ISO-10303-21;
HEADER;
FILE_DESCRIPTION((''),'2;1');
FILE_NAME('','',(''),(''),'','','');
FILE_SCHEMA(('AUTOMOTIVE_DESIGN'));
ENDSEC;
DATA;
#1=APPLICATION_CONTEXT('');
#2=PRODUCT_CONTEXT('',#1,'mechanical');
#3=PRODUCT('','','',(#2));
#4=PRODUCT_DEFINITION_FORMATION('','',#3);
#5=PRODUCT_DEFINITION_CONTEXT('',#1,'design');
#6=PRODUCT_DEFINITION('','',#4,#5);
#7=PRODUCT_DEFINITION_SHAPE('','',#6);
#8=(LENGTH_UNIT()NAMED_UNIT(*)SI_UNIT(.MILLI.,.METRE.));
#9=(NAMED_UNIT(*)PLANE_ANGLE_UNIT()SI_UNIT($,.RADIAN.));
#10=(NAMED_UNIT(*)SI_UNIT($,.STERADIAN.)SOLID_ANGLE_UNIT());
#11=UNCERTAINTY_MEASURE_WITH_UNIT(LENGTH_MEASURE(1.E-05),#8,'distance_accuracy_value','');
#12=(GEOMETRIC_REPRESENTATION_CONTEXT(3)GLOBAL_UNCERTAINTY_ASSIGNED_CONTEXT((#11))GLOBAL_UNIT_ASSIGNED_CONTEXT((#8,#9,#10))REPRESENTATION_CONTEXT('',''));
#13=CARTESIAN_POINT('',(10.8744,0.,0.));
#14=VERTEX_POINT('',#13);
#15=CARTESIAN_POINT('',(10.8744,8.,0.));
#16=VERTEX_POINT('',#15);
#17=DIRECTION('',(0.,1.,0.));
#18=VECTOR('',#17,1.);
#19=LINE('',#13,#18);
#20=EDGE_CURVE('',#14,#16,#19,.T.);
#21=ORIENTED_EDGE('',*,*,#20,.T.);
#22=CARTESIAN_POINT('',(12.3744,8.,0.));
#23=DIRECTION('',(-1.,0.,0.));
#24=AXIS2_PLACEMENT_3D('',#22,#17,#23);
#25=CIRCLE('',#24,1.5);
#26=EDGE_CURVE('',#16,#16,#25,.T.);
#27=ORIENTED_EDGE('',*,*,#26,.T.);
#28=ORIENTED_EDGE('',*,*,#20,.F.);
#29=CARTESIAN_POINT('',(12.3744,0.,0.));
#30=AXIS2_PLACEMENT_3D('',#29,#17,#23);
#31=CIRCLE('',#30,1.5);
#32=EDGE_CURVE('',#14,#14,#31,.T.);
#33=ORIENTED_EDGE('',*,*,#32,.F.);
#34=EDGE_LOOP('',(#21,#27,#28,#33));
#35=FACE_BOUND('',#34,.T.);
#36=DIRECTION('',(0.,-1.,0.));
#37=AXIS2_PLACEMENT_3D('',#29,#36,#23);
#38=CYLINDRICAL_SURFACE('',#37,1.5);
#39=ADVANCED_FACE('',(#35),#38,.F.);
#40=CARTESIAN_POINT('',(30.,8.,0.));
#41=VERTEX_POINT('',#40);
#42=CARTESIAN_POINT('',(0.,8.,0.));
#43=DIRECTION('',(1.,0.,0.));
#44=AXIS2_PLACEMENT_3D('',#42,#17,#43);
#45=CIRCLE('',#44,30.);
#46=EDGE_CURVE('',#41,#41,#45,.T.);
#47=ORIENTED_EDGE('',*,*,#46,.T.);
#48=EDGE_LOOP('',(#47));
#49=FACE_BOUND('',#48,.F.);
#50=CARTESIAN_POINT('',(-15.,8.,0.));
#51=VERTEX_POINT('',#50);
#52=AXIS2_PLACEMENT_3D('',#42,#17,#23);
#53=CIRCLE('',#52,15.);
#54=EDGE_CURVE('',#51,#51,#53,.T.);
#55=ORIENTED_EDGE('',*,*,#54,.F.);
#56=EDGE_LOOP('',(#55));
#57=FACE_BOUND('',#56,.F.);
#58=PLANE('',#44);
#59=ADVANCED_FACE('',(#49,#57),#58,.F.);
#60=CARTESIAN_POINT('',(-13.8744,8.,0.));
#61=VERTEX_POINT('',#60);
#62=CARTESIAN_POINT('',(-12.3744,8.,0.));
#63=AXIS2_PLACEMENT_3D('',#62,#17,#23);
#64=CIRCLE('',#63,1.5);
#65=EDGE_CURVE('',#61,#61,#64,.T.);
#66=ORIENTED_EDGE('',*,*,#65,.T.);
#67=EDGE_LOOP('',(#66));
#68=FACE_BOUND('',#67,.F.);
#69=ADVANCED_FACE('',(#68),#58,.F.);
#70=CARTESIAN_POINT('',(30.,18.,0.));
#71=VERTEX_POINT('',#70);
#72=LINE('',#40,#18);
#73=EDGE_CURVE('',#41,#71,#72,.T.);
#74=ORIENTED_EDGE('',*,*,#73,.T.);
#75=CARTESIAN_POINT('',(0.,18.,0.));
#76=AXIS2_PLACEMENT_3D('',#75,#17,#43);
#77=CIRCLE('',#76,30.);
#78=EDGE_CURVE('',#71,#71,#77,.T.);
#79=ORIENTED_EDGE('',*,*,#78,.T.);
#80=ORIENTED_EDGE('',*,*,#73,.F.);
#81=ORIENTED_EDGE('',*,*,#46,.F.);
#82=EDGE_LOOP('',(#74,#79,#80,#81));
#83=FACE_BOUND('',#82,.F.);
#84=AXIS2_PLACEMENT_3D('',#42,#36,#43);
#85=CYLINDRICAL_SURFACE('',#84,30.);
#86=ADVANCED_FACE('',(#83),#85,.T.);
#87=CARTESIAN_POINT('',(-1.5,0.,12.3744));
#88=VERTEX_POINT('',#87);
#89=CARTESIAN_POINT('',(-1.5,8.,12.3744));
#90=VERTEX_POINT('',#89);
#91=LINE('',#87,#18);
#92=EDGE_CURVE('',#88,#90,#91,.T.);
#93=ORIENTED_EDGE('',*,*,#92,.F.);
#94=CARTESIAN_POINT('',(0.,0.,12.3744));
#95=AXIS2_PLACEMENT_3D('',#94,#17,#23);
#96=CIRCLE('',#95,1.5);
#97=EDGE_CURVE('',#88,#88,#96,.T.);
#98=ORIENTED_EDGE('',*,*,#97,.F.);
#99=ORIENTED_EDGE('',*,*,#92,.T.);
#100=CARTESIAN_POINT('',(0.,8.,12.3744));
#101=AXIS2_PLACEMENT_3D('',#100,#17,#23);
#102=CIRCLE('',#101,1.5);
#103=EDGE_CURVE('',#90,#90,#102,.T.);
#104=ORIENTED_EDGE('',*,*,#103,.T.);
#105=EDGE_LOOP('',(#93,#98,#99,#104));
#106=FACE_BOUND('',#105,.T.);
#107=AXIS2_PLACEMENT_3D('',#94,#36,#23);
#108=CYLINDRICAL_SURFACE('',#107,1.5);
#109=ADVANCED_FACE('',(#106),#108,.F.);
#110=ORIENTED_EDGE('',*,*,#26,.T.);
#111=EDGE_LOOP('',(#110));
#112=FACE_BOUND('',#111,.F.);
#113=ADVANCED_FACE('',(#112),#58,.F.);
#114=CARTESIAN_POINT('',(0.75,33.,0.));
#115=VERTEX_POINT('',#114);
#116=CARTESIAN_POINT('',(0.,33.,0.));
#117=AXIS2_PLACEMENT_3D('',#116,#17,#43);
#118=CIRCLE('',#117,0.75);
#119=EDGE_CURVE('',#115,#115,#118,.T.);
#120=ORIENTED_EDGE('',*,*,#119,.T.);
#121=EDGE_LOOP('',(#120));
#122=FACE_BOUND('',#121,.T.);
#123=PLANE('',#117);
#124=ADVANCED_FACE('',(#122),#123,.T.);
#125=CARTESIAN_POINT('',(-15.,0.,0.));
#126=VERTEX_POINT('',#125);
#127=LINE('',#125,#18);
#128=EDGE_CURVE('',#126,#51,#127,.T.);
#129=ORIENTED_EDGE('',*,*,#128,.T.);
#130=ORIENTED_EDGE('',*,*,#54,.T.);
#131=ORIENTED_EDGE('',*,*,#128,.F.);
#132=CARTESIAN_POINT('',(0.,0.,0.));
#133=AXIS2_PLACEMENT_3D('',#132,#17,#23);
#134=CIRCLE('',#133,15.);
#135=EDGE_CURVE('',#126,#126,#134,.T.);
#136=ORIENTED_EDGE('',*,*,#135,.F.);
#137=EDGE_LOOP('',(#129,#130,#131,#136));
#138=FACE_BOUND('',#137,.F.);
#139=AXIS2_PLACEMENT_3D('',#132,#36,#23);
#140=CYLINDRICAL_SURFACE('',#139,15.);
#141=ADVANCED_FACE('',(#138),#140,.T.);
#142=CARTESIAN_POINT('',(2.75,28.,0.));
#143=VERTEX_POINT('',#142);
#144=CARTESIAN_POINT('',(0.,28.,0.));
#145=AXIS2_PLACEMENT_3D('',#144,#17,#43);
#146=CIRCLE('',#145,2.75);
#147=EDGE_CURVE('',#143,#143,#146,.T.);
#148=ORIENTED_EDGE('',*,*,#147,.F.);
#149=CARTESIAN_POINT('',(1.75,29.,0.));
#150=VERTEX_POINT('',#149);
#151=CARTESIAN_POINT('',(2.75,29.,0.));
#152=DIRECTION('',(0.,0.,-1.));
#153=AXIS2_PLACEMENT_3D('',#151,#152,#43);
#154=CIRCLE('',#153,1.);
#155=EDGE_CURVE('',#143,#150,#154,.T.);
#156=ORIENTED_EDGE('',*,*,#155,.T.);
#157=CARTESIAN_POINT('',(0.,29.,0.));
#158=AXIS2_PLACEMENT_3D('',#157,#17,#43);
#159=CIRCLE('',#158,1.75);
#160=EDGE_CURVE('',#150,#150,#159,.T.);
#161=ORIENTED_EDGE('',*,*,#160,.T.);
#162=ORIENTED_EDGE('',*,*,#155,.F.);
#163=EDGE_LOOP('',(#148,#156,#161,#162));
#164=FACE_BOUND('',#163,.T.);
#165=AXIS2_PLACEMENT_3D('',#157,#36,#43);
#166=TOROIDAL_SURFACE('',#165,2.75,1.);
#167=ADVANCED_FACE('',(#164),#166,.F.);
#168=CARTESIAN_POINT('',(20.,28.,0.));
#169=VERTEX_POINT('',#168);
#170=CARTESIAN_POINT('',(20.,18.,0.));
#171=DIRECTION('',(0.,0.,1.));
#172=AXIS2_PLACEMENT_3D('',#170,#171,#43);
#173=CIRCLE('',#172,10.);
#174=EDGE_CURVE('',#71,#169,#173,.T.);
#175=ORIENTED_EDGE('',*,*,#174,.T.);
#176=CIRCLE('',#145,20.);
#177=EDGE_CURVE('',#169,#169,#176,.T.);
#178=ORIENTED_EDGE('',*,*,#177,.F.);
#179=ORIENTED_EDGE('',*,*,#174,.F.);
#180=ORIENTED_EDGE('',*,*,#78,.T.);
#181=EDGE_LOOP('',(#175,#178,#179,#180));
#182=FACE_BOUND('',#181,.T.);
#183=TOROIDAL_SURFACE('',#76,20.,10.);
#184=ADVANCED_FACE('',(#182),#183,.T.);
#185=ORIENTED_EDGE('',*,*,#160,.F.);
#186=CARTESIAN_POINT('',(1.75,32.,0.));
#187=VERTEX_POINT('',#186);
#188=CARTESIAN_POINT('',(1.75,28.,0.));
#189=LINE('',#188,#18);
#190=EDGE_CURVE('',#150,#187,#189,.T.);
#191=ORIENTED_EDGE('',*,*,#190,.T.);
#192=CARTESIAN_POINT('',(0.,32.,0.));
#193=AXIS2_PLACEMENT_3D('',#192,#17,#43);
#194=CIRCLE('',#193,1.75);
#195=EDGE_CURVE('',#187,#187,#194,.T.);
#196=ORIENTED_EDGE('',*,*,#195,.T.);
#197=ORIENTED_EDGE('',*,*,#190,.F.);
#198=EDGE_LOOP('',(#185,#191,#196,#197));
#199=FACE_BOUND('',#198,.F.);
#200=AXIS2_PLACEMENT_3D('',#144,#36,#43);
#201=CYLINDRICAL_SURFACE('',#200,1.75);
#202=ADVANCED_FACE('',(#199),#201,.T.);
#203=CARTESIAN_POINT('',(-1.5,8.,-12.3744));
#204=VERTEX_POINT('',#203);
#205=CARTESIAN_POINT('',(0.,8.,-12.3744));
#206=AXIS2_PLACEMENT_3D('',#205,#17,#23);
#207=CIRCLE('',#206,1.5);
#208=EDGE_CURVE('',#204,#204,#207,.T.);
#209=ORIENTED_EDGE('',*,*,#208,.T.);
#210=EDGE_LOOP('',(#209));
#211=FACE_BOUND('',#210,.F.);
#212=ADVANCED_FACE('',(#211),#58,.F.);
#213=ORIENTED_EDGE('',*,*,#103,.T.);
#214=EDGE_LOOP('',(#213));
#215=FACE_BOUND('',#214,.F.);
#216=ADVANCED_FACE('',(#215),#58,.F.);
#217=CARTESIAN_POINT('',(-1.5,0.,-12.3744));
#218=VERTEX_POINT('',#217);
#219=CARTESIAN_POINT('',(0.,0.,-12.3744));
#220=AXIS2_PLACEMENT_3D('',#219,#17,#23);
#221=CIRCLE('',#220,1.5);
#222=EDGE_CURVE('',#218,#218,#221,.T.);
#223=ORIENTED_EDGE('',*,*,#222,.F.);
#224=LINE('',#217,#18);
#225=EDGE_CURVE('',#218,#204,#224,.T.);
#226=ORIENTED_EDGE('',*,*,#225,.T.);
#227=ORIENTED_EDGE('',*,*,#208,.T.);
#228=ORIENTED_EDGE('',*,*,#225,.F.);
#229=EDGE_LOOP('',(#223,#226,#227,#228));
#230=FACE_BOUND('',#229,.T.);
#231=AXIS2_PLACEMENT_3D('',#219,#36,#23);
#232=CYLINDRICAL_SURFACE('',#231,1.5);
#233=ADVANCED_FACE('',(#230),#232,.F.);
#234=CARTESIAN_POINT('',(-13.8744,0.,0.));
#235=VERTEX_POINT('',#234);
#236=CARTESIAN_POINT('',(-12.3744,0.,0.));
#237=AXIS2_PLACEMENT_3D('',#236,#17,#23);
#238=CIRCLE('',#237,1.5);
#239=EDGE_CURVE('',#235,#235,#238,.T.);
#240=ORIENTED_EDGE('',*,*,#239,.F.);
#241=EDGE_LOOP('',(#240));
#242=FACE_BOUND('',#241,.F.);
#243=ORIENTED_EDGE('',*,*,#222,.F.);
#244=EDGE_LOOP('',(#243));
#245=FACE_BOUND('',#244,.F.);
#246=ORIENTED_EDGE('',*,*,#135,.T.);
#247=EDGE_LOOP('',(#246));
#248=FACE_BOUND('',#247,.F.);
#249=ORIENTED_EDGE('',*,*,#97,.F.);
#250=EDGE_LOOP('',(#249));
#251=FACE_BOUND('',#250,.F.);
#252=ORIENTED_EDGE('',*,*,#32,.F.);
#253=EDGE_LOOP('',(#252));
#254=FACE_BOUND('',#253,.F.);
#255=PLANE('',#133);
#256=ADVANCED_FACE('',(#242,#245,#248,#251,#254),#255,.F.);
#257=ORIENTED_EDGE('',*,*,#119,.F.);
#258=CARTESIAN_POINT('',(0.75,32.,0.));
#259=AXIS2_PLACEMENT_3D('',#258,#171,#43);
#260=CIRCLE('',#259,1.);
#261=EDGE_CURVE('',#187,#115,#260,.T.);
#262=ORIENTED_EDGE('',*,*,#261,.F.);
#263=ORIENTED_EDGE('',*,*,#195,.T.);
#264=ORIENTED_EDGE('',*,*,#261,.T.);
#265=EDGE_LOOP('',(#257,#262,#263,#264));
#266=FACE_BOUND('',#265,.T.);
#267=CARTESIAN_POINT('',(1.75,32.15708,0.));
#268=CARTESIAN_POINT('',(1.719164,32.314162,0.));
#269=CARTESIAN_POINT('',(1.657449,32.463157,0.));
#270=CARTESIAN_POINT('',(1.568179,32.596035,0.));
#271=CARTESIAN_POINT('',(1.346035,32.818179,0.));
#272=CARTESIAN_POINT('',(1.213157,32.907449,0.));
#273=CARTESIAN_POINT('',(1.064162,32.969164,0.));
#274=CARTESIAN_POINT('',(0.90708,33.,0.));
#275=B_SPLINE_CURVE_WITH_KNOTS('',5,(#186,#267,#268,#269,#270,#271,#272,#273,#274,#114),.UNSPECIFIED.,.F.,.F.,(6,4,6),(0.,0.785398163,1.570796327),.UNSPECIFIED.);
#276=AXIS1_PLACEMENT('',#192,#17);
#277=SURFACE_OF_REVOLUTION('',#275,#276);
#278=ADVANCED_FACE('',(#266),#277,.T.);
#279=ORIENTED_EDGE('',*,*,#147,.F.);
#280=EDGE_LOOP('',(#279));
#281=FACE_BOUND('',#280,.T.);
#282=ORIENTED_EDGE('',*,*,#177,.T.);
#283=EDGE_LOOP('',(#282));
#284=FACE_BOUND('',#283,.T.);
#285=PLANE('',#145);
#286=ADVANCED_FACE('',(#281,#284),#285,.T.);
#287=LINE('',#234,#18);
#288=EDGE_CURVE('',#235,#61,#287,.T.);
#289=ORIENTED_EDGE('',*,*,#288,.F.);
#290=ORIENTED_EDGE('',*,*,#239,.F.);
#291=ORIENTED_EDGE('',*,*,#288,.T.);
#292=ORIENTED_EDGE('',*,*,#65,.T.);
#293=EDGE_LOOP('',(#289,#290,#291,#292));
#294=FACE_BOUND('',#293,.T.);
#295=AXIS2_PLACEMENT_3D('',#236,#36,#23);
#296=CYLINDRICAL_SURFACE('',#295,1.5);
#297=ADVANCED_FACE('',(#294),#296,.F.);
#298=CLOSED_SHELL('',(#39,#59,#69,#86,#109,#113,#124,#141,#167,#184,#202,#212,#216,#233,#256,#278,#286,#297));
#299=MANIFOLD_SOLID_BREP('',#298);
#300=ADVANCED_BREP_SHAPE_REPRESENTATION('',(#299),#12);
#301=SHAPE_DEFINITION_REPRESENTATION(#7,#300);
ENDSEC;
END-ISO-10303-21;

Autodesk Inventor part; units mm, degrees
ref_plane "YZ Plane" through (0, 0, 0) normal (1, 0, 0) x (0, 1, 0)
ref_plane "XZ Plane" through (0, 0, 0) normal (0, 1, 0) x (-1, 0, 0)
ref_plane "XY Plane" through (0, 0, 0) normal (0, 0, 1) x (1, 0, 0)
sketch "Sketch1" plane through (0, 0, 0) normal (0, 1, 0) x (-1, 0, 0)
  circle A0 centre (0, 0) radius 15
  circle A1 centre (12.3744, 0) radius 1.5
  circle A2 centre (0, 12.3744) radius 1.5
  circle A3 centre (-12.3744, 0) radius 1.5
  circle A4 centre (0, -12.3744) radius 1.5
  dimension "d0" = 30
  dimension "d1" = 3
  dimension "d5" = 360
  dimension "d17" = 14.5
extrude "Extrusion1" add sketch "Sketch1" along normal blind 8
sketch "Sketch2" plane through (0, 8, 0) normal (0, 1, 0) x (1, 0, 0)
  circle A0 centre (0, 0) radius 30
  dimension "d9" = 60
extrude "Extrusion2" add sketch "Sketch2" along normal blind 20
fillet "Fillet1" radius 10 1 edges at (-30, 28, 0)
sketch "Sketch3" plane through (0, 28, 0) normal (0, 1, 0) x (1, 0, 0)
  circle A0 centre (0, 0) radius 1.75
  dimension "d13" = 3.5
extrude "Extrusion3" add sketch "Sketch3" along normal blind 5
fillet "Fillet2" radius 1 2 edges at (-1.75, 28, 0) (-1.75, 33, 0)
equation "\"d0\" = BottomDiameter"
equation "\"d1\" = MountingHoleDiameter"
equation "\"d7\" = BottomHeight"
equation "\"d9\" = TopDiameter"
equation "\"d10\" = TopHeight"
equation "\"d14\" = NubHeight"
equation "\"BottomDiameter\" = 30"
equation "\"MountingHoleDiameter\" = 3"
equation "\"TopDiameter\" = 60"
equation "\"BottomHeight\" = 8"
equation "\"TopHeight\" = 20"
equation "\"NubHeight\" = 5"
properties part number "Motor"
